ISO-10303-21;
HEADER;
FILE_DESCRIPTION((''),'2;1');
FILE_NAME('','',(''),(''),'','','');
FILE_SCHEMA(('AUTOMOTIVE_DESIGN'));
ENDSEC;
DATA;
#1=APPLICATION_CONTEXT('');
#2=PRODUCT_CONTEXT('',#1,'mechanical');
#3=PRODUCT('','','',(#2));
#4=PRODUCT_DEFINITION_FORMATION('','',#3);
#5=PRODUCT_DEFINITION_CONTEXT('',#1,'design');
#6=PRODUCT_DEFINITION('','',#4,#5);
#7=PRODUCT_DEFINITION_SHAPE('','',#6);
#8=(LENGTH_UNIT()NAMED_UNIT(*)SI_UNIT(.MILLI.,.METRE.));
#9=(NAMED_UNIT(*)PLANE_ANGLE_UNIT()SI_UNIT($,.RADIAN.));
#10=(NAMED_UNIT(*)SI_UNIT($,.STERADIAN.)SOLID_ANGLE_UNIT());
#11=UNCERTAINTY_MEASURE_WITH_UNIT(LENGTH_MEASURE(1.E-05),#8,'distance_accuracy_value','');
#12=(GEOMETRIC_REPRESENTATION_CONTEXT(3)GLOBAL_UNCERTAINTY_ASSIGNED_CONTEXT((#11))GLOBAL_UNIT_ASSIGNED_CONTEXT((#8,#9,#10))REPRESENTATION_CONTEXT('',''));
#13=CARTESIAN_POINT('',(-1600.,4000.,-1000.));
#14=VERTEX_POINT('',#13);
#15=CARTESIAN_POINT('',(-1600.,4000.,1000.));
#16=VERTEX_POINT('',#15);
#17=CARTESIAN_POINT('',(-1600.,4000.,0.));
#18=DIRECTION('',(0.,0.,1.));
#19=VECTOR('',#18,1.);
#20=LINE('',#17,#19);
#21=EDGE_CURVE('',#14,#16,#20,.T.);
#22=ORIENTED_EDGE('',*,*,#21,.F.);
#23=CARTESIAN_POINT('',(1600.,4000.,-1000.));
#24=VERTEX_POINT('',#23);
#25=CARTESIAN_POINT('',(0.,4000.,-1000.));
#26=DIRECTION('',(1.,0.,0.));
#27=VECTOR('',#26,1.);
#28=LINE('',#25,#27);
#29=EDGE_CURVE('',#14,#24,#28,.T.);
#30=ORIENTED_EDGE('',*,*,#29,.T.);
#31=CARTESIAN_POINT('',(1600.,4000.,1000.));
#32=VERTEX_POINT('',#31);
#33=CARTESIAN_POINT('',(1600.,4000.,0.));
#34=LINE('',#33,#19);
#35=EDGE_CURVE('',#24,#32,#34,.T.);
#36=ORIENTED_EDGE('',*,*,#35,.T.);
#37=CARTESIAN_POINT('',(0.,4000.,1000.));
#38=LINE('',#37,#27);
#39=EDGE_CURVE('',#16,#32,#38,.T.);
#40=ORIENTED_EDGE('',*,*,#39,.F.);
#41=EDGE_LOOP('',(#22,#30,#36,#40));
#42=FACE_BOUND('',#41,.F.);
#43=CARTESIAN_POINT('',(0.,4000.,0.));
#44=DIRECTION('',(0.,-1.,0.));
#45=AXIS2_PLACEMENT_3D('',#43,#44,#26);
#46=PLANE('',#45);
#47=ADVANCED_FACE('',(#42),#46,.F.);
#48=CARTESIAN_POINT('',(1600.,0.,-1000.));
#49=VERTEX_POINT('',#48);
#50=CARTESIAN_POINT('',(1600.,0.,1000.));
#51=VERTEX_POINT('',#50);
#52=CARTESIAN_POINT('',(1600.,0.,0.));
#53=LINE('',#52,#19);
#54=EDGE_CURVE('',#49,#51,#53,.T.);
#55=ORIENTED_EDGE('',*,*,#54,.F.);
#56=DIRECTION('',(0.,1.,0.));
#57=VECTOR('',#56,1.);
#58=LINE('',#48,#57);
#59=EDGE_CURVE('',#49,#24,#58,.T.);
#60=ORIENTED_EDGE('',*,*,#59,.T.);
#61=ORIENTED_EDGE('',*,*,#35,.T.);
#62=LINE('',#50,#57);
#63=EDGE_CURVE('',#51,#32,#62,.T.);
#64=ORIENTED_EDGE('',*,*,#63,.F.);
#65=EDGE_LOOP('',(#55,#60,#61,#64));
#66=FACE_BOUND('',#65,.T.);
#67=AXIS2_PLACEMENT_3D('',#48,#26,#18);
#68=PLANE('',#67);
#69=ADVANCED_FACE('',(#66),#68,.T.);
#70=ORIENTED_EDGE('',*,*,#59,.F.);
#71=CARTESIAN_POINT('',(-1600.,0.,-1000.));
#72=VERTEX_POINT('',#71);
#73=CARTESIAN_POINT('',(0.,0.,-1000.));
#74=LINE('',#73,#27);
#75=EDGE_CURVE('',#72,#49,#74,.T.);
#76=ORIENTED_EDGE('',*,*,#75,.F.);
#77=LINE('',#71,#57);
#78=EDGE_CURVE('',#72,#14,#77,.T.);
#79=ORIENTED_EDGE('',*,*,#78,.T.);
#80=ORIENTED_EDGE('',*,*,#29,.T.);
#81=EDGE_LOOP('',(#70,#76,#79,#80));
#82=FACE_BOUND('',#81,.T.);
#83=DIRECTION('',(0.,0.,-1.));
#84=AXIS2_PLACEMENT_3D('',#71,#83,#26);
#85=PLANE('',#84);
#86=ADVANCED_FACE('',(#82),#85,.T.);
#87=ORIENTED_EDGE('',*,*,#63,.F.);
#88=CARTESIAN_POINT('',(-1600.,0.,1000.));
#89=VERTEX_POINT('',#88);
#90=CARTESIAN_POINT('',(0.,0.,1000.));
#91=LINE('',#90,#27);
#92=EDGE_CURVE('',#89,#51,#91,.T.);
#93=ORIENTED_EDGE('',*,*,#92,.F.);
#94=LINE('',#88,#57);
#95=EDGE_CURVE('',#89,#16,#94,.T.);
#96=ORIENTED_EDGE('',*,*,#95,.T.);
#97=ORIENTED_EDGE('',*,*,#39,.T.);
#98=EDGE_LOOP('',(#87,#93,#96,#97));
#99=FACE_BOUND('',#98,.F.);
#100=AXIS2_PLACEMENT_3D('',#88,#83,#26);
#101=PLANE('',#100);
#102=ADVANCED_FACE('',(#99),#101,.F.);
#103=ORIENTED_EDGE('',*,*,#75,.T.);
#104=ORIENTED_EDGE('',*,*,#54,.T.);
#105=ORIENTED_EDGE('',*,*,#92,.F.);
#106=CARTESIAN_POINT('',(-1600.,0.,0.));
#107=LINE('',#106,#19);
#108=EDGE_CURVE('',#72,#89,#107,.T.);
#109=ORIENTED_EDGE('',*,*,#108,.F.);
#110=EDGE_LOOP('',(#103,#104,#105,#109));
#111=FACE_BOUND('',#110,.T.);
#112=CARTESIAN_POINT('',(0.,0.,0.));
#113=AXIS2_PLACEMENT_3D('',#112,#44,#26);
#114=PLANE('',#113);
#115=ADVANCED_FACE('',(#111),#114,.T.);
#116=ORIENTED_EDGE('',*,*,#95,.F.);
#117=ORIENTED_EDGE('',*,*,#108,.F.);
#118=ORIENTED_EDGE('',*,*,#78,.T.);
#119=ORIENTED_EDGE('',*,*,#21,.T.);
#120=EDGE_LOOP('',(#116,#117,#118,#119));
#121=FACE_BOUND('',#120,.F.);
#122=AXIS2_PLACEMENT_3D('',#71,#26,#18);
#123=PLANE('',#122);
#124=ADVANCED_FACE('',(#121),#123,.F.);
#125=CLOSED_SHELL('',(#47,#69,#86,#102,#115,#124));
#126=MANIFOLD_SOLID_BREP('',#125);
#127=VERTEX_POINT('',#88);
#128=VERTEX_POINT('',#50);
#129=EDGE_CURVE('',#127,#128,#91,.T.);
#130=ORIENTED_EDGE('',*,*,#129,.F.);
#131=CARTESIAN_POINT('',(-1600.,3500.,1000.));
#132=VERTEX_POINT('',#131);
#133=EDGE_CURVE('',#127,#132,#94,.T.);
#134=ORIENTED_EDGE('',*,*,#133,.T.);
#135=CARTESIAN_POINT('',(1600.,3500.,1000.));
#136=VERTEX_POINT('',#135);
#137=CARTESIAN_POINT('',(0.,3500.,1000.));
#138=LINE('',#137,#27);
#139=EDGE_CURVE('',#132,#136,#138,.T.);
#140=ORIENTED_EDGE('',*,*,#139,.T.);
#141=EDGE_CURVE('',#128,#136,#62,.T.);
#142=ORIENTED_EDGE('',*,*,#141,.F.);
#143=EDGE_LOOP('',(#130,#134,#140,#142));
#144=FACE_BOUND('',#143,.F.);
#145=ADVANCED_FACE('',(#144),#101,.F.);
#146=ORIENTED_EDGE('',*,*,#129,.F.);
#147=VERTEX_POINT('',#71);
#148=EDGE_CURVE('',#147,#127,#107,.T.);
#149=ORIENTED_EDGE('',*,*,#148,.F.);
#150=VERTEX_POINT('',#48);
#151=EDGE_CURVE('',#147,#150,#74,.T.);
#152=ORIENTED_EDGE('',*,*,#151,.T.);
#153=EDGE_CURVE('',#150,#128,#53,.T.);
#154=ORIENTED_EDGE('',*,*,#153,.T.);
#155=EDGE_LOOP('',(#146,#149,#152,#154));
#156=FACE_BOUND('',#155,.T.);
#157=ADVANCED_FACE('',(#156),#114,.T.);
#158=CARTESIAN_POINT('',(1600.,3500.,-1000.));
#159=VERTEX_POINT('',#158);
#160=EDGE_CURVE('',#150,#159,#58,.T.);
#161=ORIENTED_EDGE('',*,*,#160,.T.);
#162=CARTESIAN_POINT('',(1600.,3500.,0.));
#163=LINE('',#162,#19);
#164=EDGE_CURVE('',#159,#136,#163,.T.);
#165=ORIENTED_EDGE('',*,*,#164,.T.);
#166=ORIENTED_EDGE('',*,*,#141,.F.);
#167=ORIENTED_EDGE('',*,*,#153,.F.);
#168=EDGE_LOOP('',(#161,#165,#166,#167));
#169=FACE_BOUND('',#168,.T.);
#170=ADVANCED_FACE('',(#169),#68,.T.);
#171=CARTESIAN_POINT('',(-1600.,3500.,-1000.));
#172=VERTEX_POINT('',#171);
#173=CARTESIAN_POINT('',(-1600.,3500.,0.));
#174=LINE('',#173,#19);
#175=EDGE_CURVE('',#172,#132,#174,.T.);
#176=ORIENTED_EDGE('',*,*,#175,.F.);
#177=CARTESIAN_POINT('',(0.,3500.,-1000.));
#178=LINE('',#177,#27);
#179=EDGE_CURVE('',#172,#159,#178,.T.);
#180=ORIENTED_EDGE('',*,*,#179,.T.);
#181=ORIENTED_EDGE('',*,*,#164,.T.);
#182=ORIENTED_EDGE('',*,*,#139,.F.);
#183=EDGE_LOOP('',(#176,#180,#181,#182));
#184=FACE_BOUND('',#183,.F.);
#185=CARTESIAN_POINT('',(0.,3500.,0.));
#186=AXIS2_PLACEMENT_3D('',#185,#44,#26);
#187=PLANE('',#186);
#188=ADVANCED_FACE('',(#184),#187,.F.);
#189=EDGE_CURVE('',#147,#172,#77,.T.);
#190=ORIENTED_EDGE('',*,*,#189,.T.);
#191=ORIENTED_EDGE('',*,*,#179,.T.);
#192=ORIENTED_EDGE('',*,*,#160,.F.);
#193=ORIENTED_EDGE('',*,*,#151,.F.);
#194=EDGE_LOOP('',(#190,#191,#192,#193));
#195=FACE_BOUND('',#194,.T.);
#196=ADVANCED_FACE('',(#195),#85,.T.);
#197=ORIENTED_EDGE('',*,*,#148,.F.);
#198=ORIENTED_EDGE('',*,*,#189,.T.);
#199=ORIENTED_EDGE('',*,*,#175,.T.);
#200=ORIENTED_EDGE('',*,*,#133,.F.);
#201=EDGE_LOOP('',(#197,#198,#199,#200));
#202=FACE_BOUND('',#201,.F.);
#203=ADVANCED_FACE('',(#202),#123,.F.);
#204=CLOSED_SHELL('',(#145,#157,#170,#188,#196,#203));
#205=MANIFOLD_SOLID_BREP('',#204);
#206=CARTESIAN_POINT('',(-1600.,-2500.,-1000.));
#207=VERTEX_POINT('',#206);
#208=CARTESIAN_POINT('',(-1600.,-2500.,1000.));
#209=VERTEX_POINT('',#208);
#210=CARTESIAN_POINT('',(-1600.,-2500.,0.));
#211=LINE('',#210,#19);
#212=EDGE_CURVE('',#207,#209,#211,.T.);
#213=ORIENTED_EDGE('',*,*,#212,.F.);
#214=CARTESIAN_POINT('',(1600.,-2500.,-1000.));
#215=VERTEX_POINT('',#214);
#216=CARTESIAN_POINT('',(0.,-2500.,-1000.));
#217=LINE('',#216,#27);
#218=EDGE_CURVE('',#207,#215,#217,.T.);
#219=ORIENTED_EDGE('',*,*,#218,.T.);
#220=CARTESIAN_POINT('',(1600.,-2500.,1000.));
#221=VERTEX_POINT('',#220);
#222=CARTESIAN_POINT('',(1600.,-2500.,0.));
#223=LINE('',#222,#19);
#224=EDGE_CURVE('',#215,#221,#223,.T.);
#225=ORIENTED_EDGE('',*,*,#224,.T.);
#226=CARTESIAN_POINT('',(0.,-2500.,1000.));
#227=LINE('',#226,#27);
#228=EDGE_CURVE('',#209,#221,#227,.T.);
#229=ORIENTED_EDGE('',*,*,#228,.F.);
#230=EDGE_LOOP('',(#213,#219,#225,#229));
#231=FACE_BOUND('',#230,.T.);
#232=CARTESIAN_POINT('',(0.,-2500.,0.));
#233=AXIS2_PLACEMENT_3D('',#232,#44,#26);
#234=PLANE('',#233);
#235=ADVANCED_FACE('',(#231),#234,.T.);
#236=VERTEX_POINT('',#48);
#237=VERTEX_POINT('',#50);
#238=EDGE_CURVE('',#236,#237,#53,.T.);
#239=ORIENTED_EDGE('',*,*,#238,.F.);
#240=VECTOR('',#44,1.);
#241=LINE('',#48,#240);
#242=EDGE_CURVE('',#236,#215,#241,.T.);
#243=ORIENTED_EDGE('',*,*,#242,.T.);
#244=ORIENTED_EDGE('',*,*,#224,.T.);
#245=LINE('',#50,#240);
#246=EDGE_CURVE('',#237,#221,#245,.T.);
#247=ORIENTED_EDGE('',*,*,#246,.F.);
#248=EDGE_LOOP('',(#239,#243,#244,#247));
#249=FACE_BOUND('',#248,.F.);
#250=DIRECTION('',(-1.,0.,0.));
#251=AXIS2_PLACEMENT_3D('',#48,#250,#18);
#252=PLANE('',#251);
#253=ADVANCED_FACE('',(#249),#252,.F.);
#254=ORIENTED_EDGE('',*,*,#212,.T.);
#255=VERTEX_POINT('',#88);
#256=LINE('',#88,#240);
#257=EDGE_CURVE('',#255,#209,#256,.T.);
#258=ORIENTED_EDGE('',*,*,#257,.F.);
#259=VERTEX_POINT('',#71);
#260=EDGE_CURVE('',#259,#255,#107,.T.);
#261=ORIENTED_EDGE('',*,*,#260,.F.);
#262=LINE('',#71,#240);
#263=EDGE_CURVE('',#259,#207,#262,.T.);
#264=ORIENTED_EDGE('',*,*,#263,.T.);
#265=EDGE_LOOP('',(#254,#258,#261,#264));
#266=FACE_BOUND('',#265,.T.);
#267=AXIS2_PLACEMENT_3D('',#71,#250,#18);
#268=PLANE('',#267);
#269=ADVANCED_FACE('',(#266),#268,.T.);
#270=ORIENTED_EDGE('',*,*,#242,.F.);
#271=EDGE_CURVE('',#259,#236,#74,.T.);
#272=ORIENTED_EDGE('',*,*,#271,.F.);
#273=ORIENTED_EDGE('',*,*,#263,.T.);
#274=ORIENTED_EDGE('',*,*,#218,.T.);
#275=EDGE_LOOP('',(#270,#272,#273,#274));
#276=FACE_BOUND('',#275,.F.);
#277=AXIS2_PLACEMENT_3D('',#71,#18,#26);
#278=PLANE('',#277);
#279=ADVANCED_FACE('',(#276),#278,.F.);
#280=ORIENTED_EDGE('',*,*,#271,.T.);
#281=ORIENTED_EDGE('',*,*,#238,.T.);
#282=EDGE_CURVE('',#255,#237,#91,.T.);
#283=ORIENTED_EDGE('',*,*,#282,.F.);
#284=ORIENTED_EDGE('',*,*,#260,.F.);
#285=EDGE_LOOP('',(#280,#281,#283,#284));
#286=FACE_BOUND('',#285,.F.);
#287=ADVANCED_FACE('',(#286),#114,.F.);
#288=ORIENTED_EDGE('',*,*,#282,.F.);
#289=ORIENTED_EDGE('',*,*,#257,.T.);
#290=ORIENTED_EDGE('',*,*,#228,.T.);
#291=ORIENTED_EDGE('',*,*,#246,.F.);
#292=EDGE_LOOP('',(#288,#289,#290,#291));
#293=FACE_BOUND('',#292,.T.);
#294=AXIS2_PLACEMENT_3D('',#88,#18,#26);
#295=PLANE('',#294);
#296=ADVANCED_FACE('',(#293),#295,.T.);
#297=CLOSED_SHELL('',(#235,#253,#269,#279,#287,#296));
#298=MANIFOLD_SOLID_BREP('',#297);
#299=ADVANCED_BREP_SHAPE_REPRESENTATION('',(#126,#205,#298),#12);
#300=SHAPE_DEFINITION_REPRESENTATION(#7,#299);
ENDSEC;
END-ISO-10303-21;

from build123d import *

# Parameters (mm, degrees)
F0_W     = 3200
F0_H     = 2000
F1_DEPTH = 2500
F2_DEPTH = 3500
F3_DEPTH = 4000


with BuildPart() as f1:
    # F0 (on Front) → F1 (new body)
    with BuildSketch(Plane.XZ):
        Rectangle(F0_W, F0_H)
    extrude(amount=F1_DEPTH)


with BuildPart() as f2:
    # F0 (on Front) → F2 (new body)
    with BuildSketch(Plane.XZ):
        Rectangle(F0_W, F0_H)
    extrude(amount=-F2_DEPTH)


with BuildPart() as f3:
    # F0 (on Front) → F3 (new body)
    with BuildSketch(Plane.XZ):
        Rectangle(F0_W, F0_H)
    extrude(amount=-F3_DEPTH)


solid = Compound([f1.part, f2.part, f3.part])
